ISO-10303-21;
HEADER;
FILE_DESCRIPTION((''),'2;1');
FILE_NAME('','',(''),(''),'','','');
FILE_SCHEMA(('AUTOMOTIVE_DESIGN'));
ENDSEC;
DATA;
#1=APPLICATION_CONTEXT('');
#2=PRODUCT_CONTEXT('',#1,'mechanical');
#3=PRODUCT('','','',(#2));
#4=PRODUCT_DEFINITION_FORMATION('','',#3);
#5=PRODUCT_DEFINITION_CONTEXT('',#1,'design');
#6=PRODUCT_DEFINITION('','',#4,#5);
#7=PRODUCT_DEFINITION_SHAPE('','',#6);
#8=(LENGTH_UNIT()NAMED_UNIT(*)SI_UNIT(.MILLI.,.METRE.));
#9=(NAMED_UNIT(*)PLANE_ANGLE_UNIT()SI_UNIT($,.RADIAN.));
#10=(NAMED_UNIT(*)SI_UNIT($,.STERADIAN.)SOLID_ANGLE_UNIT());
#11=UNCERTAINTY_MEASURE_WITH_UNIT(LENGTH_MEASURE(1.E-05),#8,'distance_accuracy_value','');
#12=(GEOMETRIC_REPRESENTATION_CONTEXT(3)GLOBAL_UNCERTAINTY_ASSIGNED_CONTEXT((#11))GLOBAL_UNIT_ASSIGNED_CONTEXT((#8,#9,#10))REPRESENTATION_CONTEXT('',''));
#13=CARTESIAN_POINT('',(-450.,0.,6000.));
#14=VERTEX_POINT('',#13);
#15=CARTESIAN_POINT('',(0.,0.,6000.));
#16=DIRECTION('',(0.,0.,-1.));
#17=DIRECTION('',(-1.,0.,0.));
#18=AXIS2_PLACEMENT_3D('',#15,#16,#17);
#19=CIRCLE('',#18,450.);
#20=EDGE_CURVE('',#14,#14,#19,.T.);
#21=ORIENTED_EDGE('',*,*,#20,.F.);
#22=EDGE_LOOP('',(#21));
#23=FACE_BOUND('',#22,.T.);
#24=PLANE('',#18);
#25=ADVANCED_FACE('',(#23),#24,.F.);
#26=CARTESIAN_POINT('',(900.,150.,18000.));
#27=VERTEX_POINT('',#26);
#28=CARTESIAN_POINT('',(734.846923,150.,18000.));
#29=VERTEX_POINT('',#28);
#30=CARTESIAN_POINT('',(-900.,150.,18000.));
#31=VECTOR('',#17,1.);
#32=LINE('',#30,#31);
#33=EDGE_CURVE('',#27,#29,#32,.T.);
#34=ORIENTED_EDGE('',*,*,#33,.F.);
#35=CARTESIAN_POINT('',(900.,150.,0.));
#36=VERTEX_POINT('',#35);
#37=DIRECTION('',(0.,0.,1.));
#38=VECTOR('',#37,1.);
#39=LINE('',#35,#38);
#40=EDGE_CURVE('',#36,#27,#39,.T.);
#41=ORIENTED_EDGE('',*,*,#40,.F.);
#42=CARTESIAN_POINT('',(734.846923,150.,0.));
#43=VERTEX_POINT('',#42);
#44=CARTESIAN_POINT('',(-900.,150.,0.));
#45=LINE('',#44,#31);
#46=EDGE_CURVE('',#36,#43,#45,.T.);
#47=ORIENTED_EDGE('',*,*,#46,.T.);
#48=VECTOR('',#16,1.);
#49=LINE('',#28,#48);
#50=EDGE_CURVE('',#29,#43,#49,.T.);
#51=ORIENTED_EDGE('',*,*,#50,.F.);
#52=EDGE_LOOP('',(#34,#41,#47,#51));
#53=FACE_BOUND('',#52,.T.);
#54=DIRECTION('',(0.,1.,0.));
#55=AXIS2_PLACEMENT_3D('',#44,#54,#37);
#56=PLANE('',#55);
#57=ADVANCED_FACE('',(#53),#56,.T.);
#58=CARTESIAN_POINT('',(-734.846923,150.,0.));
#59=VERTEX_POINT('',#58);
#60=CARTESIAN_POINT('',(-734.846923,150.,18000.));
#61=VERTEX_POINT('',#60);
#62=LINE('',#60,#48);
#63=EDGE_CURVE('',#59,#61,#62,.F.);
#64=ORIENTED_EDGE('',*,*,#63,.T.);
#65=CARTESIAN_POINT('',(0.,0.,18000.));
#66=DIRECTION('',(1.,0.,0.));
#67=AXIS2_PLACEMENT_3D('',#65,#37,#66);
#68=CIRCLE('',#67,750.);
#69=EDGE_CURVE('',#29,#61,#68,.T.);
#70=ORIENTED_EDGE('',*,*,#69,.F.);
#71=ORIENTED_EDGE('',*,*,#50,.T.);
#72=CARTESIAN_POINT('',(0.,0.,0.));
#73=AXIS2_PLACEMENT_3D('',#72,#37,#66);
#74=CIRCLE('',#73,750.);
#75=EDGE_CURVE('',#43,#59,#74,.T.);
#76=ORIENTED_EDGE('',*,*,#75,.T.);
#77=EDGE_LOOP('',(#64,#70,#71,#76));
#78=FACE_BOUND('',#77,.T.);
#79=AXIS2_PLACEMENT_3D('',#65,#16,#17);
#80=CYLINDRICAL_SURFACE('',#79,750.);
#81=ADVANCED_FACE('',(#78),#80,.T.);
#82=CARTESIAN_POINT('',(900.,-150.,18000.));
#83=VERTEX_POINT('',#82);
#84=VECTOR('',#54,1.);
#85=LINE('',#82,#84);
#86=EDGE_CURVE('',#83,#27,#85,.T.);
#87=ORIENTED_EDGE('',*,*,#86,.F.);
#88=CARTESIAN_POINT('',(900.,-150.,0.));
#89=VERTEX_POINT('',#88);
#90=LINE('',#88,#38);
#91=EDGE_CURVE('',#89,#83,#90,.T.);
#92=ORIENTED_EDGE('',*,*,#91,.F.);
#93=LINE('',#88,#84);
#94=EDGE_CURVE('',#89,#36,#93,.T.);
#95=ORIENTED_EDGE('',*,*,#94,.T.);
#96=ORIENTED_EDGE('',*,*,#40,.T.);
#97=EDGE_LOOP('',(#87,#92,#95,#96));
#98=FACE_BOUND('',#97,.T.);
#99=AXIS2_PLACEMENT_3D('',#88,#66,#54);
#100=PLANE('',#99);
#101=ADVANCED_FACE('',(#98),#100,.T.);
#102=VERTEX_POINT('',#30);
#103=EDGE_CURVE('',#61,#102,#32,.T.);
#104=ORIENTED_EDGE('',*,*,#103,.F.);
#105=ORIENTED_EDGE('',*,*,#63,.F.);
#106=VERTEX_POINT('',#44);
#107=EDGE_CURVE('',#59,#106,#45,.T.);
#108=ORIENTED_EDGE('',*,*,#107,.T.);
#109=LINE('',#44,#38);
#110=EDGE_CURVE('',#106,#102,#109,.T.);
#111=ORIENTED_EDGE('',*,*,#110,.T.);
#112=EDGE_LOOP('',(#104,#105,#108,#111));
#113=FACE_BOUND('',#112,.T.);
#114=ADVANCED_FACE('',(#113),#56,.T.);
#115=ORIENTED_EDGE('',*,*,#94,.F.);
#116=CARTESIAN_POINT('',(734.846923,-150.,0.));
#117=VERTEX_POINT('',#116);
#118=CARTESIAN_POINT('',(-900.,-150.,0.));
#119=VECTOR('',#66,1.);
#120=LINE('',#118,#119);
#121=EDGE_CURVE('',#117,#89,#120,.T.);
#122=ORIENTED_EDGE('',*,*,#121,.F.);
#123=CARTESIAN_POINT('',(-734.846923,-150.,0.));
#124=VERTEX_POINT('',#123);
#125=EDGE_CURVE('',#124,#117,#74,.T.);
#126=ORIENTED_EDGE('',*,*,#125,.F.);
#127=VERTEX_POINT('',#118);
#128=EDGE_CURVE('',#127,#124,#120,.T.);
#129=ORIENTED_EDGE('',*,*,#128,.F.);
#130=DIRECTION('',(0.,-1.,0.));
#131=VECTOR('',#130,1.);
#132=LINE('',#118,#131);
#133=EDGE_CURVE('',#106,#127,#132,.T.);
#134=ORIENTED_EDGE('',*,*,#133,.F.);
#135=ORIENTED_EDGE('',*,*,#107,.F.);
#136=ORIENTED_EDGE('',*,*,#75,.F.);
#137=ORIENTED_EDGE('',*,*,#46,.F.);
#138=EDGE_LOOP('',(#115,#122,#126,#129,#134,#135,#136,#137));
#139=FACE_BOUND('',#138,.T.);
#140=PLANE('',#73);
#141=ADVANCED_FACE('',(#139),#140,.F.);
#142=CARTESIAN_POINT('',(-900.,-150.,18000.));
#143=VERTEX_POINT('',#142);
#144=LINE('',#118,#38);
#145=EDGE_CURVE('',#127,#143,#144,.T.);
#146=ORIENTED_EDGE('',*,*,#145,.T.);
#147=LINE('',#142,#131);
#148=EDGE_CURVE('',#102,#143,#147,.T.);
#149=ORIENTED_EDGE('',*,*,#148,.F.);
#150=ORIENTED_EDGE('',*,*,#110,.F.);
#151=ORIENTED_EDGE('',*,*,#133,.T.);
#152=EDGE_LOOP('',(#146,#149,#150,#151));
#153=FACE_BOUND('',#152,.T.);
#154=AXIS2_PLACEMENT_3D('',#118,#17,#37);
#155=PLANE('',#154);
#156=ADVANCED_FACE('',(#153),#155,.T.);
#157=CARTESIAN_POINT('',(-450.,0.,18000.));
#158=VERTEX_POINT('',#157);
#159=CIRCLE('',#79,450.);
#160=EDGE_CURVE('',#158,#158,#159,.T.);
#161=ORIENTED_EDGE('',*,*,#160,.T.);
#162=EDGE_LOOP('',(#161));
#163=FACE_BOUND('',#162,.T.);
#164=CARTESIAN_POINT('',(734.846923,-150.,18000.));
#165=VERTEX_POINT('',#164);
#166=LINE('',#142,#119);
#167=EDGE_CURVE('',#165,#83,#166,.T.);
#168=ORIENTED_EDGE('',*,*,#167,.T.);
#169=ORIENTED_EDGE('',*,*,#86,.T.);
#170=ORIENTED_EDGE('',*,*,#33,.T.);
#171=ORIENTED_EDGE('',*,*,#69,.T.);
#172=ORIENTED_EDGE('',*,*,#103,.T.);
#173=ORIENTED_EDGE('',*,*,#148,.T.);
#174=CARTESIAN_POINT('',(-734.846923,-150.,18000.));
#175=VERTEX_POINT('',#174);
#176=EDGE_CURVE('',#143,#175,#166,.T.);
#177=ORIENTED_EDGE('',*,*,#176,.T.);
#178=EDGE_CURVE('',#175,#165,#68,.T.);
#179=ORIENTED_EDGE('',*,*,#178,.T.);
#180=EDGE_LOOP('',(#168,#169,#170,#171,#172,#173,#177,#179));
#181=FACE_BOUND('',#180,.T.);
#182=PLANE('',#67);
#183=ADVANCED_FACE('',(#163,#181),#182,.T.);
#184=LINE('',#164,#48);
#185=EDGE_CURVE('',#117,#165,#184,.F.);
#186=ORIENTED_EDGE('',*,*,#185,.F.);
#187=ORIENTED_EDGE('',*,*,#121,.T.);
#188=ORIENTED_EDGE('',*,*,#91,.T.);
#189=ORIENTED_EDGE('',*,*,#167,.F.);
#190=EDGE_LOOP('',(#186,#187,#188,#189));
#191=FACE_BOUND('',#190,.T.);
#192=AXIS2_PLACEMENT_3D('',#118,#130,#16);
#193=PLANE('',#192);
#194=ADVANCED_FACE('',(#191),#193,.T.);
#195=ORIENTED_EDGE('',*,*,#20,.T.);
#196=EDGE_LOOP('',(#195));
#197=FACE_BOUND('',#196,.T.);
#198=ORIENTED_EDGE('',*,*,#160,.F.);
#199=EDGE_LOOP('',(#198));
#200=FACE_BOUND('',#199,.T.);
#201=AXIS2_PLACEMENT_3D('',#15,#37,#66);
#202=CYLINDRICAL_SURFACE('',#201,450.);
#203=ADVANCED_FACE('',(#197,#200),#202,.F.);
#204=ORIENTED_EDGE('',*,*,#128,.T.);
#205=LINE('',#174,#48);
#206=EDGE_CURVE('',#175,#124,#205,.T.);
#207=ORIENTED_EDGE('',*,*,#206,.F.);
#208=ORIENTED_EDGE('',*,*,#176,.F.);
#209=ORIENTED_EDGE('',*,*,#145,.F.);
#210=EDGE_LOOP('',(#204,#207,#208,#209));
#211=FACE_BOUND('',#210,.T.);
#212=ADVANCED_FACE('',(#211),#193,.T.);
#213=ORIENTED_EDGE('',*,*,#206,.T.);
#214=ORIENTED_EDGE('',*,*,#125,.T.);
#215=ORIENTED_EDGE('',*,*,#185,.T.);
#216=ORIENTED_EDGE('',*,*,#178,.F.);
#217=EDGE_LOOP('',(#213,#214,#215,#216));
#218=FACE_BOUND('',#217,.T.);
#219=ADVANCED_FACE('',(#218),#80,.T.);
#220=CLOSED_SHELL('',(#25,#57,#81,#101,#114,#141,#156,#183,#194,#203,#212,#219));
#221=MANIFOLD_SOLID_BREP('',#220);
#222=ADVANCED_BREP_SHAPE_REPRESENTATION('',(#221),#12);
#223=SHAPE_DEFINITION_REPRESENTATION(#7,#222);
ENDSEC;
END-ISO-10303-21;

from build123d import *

# Parameters (mm, degrees)
SKETCH1_R           = 750
BOSS_EXTRUDE1_DEPTH = 18000
SKETCH2_W           = 1800
SKETCH2_H           = 300
BOSS_EXTRUDE2_DEPTH = 18000
CUT_EXTRUDE1_START  = -18000
SKETCH3_R           = 450
CUT_EXTRUDE1_DEPTH  = 12000


with BuildPart() as part:
    # Sketch1 → Boss-Extrude1 (new body)
    with BuildSketch(Plane.XY):
        Circle(SKETCH1_R)
    extrude(amount=BOSS_EXTRUDE1_DEPTH)

    # Sketch2 → Boss-Extrude2 (add)
    with BuildSketch(Plane.XY.offset(18000)):
        Rectangle(SKETCH2_W, SKETCH2_H)
    extrude(amount=-BOSS_EXTRUDE2_DEPTH)

    # Sketch3 → Cut-Extrude1 (cut)
    with BuildSketch(Plane(origin=(0, 0, 0), x_dir=(-1, 0, 0), z_dir=(0, 0, -1)).offset(CUT_EXTRUDE1_START)):
        Circle(SKETCH3_R)
    extrude(amount=CUT_EXTRUDE1_DEPTH, mode=Mode.SUBTRACT)


solid = part.part
